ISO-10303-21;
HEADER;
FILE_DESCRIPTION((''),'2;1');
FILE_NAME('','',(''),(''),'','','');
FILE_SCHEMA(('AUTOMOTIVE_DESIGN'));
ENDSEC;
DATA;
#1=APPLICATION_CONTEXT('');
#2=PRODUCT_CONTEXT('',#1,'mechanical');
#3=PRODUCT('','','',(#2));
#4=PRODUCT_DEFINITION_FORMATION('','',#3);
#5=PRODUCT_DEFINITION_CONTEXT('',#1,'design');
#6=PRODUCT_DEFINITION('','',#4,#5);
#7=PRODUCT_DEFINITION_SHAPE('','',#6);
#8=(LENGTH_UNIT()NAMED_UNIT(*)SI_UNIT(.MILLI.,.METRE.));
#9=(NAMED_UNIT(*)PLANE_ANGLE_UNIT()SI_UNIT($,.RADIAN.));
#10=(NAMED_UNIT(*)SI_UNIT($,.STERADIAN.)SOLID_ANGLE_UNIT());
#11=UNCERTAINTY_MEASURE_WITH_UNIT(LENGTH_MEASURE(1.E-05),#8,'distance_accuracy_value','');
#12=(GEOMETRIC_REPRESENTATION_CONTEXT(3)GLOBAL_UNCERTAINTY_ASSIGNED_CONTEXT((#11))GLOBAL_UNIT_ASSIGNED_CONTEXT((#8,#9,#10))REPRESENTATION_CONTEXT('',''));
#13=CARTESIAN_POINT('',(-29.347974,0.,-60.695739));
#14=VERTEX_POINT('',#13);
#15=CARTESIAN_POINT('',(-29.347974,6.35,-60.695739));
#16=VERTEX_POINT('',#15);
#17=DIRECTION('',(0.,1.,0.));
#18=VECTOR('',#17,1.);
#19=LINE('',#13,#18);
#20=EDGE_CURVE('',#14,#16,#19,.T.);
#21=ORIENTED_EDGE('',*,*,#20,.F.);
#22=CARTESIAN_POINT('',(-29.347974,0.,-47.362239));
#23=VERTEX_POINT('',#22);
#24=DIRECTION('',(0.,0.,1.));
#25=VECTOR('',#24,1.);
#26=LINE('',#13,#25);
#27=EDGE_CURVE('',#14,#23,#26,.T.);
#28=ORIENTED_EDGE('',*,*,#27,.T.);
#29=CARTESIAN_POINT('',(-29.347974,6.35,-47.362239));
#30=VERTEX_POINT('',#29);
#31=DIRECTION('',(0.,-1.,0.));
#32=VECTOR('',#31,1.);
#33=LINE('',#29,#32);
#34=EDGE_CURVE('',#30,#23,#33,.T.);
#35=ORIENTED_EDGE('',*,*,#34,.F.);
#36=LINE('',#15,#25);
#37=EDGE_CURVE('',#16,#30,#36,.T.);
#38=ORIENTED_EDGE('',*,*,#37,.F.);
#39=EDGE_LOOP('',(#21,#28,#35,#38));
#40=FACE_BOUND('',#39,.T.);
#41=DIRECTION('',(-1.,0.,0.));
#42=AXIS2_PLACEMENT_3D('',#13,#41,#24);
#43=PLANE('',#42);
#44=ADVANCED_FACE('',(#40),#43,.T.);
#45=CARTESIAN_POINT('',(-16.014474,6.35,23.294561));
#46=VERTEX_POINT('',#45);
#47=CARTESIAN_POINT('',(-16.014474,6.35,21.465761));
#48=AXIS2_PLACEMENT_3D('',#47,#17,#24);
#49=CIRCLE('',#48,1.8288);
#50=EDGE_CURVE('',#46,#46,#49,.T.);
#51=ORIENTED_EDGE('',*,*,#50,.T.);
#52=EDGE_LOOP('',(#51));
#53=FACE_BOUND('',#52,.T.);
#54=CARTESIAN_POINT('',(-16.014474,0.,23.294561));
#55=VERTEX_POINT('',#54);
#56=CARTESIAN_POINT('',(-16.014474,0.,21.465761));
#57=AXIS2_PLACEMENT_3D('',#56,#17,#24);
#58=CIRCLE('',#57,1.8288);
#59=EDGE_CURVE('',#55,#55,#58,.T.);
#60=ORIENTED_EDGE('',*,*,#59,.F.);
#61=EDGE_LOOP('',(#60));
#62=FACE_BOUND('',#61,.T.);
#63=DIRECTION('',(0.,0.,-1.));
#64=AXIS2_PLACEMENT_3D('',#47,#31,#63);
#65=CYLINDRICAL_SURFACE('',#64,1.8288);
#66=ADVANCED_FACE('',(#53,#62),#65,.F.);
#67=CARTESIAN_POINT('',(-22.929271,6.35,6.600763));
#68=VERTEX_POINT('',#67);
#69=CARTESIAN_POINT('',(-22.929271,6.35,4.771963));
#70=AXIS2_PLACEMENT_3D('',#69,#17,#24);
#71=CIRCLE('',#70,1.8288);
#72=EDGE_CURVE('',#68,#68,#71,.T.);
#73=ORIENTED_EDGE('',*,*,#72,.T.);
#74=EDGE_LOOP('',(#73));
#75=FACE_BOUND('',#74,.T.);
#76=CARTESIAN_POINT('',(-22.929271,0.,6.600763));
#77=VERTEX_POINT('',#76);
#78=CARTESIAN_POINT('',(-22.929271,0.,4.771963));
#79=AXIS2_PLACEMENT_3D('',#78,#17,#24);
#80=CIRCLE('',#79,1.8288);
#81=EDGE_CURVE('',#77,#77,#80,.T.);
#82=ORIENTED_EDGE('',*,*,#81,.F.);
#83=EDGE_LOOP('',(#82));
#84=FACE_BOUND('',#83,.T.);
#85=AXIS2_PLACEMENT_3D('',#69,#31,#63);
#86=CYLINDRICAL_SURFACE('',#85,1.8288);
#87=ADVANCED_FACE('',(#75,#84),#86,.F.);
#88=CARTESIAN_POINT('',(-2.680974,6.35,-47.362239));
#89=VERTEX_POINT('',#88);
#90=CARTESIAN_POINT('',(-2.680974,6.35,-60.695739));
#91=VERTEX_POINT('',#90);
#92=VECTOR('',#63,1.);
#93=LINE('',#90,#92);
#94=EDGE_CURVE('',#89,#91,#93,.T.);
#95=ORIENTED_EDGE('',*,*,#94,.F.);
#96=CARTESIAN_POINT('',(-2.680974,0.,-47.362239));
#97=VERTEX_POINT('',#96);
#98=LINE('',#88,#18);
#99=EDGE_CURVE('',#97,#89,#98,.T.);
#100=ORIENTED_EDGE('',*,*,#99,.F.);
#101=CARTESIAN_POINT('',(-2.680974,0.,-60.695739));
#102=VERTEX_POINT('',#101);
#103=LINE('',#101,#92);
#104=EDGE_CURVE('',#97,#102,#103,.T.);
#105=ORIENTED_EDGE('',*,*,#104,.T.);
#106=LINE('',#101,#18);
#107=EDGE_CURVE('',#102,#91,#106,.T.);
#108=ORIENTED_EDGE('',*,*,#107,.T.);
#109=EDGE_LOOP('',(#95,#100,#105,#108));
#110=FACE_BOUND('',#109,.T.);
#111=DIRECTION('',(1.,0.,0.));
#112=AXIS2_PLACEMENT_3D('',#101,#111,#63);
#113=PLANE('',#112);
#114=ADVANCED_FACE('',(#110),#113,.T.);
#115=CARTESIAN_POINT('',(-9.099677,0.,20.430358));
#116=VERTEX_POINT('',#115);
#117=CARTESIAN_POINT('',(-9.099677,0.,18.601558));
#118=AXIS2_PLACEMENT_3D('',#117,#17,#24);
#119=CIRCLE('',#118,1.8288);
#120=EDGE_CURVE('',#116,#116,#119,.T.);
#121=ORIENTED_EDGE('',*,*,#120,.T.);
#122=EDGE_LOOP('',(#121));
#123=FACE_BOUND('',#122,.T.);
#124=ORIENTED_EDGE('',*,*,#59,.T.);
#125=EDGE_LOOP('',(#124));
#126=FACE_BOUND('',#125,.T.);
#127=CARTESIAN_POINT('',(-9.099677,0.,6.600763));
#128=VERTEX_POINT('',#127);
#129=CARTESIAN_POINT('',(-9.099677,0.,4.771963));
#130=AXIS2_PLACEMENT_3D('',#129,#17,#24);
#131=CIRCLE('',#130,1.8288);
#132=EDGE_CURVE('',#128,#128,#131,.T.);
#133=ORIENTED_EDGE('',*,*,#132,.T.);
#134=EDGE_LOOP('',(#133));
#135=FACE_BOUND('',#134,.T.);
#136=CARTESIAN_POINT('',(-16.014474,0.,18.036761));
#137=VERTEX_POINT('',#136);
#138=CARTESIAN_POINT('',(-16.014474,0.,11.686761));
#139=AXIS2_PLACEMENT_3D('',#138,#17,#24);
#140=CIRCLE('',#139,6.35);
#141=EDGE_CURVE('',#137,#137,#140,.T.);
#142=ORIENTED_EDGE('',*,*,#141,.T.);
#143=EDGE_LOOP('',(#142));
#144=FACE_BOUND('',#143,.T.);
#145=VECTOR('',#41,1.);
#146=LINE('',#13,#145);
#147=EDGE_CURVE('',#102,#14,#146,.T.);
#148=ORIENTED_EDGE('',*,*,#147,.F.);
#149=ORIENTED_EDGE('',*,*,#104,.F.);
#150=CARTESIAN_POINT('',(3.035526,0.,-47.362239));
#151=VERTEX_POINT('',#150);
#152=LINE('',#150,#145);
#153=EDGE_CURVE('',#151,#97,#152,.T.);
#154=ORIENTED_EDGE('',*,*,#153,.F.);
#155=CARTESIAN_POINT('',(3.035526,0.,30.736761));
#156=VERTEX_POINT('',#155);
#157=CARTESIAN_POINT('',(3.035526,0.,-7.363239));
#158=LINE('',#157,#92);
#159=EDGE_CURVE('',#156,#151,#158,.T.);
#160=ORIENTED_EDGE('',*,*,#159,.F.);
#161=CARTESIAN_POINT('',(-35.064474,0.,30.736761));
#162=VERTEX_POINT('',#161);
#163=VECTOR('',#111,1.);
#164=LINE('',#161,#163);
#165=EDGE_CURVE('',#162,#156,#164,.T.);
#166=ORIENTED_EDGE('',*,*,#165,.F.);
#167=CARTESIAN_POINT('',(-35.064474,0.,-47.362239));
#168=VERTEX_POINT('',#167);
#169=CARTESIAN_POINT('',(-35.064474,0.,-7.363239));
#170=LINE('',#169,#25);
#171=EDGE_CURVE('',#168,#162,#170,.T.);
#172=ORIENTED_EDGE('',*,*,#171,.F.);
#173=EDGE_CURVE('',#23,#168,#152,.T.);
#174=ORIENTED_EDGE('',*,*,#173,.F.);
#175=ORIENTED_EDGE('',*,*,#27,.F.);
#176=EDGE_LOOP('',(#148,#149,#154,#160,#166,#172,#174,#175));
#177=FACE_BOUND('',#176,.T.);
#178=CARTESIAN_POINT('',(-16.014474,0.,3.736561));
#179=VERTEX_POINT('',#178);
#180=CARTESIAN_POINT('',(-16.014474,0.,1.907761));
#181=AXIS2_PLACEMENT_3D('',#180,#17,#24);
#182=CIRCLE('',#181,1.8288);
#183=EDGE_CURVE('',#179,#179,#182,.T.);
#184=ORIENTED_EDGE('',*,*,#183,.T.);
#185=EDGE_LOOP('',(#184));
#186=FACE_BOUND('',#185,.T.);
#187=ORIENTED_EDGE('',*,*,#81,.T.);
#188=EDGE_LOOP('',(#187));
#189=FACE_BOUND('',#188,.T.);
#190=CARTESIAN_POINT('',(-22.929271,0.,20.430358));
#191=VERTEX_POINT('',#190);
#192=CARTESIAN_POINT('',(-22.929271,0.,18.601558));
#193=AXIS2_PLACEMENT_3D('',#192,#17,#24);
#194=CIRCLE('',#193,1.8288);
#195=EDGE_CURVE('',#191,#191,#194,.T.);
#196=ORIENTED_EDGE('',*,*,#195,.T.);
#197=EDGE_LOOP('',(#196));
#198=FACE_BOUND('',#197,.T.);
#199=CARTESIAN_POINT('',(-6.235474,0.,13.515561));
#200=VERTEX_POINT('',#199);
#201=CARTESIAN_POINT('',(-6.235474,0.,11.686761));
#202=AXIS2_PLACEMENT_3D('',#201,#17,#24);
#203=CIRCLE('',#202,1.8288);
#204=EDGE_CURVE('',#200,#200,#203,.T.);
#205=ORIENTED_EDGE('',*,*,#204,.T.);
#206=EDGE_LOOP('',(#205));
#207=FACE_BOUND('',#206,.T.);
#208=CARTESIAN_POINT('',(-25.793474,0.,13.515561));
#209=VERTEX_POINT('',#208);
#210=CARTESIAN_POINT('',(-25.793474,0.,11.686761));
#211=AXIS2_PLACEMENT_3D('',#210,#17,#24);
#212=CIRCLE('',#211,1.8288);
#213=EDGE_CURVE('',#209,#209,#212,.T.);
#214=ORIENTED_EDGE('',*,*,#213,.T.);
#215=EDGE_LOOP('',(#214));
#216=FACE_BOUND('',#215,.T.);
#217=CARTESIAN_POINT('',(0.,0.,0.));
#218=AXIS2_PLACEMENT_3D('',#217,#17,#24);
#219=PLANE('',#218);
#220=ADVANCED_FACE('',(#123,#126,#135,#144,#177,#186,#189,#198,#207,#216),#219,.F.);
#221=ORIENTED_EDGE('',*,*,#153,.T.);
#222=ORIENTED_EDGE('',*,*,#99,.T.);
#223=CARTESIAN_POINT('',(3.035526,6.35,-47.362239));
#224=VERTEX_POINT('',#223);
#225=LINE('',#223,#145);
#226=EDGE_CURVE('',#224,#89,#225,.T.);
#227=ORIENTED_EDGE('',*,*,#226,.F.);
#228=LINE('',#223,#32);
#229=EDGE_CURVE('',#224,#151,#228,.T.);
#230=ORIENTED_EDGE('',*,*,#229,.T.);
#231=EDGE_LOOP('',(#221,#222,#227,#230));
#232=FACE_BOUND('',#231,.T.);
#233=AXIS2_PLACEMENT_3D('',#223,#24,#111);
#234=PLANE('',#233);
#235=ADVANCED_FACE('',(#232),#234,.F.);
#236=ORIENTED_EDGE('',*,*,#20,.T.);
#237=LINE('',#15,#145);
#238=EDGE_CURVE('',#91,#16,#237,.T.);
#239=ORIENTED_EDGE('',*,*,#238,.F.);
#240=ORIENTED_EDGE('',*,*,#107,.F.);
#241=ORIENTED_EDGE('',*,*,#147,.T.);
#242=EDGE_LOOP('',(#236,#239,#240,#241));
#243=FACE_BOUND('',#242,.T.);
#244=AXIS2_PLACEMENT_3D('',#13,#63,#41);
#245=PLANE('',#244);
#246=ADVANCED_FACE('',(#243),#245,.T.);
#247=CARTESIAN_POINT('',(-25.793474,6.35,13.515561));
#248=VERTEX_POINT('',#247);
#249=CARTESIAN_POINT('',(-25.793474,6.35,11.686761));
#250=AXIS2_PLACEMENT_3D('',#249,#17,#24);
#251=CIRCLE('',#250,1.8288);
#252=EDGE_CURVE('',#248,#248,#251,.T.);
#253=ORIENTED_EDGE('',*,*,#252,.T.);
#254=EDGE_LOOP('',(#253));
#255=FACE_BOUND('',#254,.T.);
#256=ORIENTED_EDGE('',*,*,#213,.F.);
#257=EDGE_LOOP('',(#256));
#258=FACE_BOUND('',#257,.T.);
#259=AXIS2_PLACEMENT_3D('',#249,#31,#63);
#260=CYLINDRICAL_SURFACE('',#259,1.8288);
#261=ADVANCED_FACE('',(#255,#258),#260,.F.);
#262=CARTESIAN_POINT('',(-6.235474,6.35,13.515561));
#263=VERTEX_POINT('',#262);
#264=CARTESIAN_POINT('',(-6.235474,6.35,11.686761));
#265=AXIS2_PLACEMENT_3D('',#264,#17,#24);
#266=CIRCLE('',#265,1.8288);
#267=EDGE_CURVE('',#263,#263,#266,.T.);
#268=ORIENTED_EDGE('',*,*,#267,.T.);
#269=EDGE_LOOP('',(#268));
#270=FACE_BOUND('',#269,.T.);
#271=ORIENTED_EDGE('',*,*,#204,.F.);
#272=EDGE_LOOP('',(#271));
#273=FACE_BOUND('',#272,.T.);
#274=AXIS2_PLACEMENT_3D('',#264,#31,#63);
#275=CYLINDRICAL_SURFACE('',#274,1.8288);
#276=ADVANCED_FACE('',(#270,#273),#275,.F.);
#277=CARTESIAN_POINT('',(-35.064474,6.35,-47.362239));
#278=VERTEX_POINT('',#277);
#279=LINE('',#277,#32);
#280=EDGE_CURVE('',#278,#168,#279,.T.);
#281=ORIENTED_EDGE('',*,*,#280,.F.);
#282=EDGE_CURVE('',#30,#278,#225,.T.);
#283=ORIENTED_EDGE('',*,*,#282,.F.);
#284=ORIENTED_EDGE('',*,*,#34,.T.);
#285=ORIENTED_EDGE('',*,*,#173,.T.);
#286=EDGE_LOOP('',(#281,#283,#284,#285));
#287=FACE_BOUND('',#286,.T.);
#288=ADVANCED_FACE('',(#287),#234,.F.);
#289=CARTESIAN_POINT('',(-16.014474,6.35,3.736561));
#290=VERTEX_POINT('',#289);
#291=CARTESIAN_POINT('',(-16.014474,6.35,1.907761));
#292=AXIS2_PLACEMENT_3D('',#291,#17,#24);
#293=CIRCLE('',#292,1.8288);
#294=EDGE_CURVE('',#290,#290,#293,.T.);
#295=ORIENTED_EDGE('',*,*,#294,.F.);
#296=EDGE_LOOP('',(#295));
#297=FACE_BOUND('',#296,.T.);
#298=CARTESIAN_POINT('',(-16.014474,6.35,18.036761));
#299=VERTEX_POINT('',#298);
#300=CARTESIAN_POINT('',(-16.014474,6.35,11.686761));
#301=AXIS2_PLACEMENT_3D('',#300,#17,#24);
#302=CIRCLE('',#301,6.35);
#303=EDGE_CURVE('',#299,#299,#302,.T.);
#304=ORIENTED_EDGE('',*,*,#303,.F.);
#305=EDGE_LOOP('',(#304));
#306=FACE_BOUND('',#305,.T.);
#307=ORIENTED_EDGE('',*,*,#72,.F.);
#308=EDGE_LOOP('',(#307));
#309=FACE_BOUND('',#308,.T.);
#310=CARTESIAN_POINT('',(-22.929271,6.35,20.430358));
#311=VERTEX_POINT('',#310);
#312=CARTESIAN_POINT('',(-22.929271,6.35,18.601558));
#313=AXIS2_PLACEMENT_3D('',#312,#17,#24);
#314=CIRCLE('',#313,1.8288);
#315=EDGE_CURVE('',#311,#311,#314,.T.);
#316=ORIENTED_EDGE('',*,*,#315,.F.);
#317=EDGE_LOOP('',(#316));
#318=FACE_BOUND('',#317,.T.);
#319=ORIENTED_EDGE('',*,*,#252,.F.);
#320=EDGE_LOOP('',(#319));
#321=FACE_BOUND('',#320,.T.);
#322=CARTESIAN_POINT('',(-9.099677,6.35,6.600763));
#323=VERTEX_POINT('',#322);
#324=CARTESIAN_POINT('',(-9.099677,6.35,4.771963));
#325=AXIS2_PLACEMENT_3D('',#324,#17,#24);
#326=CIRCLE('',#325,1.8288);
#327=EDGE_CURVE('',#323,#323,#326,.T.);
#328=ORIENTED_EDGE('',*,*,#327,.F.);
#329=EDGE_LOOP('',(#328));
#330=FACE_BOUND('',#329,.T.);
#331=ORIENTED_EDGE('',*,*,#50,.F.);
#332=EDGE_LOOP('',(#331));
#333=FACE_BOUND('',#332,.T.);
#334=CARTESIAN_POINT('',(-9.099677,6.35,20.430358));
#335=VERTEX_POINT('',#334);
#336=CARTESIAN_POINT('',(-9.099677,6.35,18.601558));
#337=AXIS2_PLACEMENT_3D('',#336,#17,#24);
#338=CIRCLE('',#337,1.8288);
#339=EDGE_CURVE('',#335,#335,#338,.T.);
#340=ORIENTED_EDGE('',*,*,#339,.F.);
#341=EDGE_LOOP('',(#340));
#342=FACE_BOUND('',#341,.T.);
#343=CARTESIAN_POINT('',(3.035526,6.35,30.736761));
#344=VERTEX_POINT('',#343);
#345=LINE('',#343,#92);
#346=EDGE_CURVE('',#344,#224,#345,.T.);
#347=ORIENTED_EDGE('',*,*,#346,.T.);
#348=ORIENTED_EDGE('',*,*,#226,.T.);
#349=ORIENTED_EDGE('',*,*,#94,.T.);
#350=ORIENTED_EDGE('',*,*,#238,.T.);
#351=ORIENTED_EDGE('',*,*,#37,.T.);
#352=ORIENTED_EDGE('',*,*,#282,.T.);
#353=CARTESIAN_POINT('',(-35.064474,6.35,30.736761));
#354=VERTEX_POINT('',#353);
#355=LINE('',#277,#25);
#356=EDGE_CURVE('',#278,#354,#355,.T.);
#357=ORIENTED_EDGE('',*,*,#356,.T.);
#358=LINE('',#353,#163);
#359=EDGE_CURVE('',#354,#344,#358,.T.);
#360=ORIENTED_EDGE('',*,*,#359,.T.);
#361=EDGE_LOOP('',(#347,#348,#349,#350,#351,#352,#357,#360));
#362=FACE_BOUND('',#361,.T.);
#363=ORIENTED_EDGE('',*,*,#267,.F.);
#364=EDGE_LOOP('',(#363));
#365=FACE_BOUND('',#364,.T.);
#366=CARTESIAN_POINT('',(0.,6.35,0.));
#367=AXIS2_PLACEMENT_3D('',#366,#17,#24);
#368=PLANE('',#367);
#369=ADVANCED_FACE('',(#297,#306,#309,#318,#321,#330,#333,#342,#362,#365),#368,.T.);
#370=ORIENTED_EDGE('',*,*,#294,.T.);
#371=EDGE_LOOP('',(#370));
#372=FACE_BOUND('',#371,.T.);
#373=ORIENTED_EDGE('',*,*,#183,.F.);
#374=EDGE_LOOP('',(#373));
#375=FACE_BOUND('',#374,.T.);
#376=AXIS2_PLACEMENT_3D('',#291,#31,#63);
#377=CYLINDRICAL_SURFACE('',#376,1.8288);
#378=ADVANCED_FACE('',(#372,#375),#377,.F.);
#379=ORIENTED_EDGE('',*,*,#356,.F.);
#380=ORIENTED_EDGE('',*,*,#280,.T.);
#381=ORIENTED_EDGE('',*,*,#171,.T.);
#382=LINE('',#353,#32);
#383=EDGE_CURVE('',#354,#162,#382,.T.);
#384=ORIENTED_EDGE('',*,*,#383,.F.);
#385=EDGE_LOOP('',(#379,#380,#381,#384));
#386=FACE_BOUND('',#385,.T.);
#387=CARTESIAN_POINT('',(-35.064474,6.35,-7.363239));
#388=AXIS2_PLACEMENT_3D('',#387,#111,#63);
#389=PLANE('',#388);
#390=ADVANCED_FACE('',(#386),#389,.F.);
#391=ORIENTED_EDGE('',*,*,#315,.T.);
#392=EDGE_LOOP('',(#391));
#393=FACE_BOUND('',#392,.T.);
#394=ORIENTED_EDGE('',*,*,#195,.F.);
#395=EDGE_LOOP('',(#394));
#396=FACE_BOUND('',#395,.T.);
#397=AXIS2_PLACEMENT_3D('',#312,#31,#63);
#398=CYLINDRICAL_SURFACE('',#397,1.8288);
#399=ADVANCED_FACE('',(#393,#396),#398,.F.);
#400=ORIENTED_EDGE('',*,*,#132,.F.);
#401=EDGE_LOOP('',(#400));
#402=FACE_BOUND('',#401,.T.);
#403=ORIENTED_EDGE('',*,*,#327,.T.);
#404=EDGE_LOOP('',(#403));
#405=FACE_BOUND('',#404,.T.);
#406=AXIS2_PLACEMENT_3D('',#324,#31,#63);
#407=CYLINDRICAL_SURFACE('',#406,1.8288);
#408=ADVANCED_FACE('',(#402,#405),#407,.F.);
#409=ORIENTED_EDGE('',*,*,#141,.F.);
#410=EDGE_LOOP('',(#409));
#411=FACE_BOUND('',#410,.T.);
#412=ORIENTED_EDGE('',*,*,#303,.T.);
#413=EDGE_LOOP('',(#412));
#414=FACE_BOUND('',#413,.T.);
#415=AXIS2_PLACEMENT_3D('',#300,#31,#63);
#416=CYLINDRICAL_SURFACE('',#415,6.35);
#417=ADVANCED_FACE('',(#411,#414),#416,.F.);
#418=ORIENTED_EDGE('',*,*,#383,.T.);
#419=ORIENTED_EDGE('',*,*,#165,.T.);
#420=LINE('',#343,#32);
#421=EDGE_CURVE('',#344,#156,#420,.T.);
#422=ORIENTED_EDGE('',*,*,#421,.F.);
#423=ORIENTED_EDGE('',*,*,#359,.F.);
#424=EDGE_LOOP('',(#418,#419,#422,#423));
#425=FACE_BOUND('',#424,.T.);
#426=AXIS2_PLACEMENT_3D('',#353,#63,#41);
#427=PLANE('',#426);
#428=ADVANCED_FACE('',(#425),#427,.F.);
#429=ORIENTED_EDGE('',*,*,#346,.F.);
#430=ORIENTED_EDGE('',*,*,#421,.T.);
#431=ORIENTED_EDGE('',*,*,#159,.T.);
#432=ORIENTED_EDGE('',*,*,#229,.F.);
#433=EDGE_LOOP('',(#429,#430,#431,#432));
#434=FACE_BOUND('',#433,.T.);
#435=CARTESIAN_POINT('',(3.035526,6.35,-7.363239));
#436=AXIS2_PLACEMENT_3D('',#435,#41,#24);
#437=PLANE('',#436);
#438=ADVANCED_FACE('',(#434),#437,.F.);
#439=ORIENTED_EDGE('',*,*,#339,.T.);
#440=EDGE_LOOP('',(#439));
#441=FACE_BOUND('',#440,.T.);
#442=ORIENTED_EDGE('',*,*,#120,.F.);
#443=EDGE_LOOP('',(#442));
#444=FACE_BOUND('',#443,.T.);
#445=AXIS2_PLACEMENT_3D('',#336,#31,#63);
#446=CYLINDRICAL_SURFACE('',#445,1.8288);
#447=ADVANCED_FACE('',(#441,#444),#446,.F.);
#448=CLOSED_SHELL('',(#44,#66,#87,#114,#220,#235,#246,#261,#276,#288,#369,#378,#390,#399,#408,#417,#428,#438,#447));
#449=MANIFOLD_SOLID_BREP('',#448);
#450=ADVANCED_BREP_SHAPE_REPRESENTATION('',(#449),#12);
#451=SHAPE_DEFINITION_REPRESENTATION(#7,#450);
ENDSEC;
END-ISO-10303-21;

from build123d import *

# Parameters (mm, degrees)
SKETCH1_R           = 6.35
SKETCH1_R_2         = 1.8288
BOSS_EXTRUDE1_DEPTH = 6.35
SKETCH2_W           = 26.667
SKETCH2_H           = 26.667
BOSS_EXTRUDE2_DEPTH = 6.35


with BuildPart() as part:
    # Sketch1 → Boss-Extrude1 (new body)
    with BuildSketch(Plane(origin=(0, 0, 0), x_dir=(1, 0, 0), z_dir=(0, 1, 0))):
        Polygon((-35.064474094, 47.36223941), (-35.064474094, 7.36323941), (-35.064474094, -30.73676059), (3.035525906, -30.73676059), (3.035525906, 7.36323941), (3.035525906, 47.36223941), align=None)
        with Locations(Location((-16.014474094, -11.68676059, 0), (0, 0, 270))):
            Circle(SKETCH1_R, mode=Mode.SUBTRACT)
        with Locations(Location((-16.014474094, -21.46576059, 0), (0, 0, 270))):
            Circle(SKETCH1_R_2, mode=Mode.SUBTRACT)
        with Locations(Location((-22.929271308, -18.601557803, 0), (0, 0, 270))):
            Circle(SKETCH1_R_2, mode=Mode.SUBTRACT)
        with Locations(Location((-25.793474094, -11.68676059, 0), (0, 0, 270))):
            Circle(SKETCH1_R_2, mode=Mode.SUBTRACT)
        with Locations(Location((-22.929271308, -4.771963377, 0), (0, 0, 270))):
            Circle(SKETCH1_R_2, mode=Mode.SUBTRACT)
        with Locations(Location((-16.014474094, -1.90776059, 0), (0, 0, 270))):
            Circle(SKETCH1_R_2, mode=Mode.SUBTRACT)
        with Locations(Location((-9.099676881, -4.771963377, 0), (0, 0, 270))):
            Circle(SKETCH1_R_2, mode=Mode.SUBTRACT)
        with Locations(Location((-6.235474094, -11.68676059, 0), (0, 0, 270))):
            Circle(SKETCH1_R_2, mode=Mode.SUBTRACT)
        with Locations(Location((-9.099676881, -18.601557803, 0), (0, 0, 270))):
            Circle(SKETCH1_R_2, mode=Mode.SUBTRACT)
    extrude(amount=BOSS_EXTRUDE1_DEPTH)

    # Sketch2 → Boss-Extrude2 (add)
    with BuildSketch(Plane(origin=(0, 6.35, 0), x_dir=(1, 0, 0), z_dir=(0, 1, 0))):
        with Locations((-16.014474094, 47.36223941)):
            Rectangle(SKETCH2_W, SKETCH2_H)
    extrude(amount=-BOSS_EXTRUDE2_DEPTH)


solid = part.part
